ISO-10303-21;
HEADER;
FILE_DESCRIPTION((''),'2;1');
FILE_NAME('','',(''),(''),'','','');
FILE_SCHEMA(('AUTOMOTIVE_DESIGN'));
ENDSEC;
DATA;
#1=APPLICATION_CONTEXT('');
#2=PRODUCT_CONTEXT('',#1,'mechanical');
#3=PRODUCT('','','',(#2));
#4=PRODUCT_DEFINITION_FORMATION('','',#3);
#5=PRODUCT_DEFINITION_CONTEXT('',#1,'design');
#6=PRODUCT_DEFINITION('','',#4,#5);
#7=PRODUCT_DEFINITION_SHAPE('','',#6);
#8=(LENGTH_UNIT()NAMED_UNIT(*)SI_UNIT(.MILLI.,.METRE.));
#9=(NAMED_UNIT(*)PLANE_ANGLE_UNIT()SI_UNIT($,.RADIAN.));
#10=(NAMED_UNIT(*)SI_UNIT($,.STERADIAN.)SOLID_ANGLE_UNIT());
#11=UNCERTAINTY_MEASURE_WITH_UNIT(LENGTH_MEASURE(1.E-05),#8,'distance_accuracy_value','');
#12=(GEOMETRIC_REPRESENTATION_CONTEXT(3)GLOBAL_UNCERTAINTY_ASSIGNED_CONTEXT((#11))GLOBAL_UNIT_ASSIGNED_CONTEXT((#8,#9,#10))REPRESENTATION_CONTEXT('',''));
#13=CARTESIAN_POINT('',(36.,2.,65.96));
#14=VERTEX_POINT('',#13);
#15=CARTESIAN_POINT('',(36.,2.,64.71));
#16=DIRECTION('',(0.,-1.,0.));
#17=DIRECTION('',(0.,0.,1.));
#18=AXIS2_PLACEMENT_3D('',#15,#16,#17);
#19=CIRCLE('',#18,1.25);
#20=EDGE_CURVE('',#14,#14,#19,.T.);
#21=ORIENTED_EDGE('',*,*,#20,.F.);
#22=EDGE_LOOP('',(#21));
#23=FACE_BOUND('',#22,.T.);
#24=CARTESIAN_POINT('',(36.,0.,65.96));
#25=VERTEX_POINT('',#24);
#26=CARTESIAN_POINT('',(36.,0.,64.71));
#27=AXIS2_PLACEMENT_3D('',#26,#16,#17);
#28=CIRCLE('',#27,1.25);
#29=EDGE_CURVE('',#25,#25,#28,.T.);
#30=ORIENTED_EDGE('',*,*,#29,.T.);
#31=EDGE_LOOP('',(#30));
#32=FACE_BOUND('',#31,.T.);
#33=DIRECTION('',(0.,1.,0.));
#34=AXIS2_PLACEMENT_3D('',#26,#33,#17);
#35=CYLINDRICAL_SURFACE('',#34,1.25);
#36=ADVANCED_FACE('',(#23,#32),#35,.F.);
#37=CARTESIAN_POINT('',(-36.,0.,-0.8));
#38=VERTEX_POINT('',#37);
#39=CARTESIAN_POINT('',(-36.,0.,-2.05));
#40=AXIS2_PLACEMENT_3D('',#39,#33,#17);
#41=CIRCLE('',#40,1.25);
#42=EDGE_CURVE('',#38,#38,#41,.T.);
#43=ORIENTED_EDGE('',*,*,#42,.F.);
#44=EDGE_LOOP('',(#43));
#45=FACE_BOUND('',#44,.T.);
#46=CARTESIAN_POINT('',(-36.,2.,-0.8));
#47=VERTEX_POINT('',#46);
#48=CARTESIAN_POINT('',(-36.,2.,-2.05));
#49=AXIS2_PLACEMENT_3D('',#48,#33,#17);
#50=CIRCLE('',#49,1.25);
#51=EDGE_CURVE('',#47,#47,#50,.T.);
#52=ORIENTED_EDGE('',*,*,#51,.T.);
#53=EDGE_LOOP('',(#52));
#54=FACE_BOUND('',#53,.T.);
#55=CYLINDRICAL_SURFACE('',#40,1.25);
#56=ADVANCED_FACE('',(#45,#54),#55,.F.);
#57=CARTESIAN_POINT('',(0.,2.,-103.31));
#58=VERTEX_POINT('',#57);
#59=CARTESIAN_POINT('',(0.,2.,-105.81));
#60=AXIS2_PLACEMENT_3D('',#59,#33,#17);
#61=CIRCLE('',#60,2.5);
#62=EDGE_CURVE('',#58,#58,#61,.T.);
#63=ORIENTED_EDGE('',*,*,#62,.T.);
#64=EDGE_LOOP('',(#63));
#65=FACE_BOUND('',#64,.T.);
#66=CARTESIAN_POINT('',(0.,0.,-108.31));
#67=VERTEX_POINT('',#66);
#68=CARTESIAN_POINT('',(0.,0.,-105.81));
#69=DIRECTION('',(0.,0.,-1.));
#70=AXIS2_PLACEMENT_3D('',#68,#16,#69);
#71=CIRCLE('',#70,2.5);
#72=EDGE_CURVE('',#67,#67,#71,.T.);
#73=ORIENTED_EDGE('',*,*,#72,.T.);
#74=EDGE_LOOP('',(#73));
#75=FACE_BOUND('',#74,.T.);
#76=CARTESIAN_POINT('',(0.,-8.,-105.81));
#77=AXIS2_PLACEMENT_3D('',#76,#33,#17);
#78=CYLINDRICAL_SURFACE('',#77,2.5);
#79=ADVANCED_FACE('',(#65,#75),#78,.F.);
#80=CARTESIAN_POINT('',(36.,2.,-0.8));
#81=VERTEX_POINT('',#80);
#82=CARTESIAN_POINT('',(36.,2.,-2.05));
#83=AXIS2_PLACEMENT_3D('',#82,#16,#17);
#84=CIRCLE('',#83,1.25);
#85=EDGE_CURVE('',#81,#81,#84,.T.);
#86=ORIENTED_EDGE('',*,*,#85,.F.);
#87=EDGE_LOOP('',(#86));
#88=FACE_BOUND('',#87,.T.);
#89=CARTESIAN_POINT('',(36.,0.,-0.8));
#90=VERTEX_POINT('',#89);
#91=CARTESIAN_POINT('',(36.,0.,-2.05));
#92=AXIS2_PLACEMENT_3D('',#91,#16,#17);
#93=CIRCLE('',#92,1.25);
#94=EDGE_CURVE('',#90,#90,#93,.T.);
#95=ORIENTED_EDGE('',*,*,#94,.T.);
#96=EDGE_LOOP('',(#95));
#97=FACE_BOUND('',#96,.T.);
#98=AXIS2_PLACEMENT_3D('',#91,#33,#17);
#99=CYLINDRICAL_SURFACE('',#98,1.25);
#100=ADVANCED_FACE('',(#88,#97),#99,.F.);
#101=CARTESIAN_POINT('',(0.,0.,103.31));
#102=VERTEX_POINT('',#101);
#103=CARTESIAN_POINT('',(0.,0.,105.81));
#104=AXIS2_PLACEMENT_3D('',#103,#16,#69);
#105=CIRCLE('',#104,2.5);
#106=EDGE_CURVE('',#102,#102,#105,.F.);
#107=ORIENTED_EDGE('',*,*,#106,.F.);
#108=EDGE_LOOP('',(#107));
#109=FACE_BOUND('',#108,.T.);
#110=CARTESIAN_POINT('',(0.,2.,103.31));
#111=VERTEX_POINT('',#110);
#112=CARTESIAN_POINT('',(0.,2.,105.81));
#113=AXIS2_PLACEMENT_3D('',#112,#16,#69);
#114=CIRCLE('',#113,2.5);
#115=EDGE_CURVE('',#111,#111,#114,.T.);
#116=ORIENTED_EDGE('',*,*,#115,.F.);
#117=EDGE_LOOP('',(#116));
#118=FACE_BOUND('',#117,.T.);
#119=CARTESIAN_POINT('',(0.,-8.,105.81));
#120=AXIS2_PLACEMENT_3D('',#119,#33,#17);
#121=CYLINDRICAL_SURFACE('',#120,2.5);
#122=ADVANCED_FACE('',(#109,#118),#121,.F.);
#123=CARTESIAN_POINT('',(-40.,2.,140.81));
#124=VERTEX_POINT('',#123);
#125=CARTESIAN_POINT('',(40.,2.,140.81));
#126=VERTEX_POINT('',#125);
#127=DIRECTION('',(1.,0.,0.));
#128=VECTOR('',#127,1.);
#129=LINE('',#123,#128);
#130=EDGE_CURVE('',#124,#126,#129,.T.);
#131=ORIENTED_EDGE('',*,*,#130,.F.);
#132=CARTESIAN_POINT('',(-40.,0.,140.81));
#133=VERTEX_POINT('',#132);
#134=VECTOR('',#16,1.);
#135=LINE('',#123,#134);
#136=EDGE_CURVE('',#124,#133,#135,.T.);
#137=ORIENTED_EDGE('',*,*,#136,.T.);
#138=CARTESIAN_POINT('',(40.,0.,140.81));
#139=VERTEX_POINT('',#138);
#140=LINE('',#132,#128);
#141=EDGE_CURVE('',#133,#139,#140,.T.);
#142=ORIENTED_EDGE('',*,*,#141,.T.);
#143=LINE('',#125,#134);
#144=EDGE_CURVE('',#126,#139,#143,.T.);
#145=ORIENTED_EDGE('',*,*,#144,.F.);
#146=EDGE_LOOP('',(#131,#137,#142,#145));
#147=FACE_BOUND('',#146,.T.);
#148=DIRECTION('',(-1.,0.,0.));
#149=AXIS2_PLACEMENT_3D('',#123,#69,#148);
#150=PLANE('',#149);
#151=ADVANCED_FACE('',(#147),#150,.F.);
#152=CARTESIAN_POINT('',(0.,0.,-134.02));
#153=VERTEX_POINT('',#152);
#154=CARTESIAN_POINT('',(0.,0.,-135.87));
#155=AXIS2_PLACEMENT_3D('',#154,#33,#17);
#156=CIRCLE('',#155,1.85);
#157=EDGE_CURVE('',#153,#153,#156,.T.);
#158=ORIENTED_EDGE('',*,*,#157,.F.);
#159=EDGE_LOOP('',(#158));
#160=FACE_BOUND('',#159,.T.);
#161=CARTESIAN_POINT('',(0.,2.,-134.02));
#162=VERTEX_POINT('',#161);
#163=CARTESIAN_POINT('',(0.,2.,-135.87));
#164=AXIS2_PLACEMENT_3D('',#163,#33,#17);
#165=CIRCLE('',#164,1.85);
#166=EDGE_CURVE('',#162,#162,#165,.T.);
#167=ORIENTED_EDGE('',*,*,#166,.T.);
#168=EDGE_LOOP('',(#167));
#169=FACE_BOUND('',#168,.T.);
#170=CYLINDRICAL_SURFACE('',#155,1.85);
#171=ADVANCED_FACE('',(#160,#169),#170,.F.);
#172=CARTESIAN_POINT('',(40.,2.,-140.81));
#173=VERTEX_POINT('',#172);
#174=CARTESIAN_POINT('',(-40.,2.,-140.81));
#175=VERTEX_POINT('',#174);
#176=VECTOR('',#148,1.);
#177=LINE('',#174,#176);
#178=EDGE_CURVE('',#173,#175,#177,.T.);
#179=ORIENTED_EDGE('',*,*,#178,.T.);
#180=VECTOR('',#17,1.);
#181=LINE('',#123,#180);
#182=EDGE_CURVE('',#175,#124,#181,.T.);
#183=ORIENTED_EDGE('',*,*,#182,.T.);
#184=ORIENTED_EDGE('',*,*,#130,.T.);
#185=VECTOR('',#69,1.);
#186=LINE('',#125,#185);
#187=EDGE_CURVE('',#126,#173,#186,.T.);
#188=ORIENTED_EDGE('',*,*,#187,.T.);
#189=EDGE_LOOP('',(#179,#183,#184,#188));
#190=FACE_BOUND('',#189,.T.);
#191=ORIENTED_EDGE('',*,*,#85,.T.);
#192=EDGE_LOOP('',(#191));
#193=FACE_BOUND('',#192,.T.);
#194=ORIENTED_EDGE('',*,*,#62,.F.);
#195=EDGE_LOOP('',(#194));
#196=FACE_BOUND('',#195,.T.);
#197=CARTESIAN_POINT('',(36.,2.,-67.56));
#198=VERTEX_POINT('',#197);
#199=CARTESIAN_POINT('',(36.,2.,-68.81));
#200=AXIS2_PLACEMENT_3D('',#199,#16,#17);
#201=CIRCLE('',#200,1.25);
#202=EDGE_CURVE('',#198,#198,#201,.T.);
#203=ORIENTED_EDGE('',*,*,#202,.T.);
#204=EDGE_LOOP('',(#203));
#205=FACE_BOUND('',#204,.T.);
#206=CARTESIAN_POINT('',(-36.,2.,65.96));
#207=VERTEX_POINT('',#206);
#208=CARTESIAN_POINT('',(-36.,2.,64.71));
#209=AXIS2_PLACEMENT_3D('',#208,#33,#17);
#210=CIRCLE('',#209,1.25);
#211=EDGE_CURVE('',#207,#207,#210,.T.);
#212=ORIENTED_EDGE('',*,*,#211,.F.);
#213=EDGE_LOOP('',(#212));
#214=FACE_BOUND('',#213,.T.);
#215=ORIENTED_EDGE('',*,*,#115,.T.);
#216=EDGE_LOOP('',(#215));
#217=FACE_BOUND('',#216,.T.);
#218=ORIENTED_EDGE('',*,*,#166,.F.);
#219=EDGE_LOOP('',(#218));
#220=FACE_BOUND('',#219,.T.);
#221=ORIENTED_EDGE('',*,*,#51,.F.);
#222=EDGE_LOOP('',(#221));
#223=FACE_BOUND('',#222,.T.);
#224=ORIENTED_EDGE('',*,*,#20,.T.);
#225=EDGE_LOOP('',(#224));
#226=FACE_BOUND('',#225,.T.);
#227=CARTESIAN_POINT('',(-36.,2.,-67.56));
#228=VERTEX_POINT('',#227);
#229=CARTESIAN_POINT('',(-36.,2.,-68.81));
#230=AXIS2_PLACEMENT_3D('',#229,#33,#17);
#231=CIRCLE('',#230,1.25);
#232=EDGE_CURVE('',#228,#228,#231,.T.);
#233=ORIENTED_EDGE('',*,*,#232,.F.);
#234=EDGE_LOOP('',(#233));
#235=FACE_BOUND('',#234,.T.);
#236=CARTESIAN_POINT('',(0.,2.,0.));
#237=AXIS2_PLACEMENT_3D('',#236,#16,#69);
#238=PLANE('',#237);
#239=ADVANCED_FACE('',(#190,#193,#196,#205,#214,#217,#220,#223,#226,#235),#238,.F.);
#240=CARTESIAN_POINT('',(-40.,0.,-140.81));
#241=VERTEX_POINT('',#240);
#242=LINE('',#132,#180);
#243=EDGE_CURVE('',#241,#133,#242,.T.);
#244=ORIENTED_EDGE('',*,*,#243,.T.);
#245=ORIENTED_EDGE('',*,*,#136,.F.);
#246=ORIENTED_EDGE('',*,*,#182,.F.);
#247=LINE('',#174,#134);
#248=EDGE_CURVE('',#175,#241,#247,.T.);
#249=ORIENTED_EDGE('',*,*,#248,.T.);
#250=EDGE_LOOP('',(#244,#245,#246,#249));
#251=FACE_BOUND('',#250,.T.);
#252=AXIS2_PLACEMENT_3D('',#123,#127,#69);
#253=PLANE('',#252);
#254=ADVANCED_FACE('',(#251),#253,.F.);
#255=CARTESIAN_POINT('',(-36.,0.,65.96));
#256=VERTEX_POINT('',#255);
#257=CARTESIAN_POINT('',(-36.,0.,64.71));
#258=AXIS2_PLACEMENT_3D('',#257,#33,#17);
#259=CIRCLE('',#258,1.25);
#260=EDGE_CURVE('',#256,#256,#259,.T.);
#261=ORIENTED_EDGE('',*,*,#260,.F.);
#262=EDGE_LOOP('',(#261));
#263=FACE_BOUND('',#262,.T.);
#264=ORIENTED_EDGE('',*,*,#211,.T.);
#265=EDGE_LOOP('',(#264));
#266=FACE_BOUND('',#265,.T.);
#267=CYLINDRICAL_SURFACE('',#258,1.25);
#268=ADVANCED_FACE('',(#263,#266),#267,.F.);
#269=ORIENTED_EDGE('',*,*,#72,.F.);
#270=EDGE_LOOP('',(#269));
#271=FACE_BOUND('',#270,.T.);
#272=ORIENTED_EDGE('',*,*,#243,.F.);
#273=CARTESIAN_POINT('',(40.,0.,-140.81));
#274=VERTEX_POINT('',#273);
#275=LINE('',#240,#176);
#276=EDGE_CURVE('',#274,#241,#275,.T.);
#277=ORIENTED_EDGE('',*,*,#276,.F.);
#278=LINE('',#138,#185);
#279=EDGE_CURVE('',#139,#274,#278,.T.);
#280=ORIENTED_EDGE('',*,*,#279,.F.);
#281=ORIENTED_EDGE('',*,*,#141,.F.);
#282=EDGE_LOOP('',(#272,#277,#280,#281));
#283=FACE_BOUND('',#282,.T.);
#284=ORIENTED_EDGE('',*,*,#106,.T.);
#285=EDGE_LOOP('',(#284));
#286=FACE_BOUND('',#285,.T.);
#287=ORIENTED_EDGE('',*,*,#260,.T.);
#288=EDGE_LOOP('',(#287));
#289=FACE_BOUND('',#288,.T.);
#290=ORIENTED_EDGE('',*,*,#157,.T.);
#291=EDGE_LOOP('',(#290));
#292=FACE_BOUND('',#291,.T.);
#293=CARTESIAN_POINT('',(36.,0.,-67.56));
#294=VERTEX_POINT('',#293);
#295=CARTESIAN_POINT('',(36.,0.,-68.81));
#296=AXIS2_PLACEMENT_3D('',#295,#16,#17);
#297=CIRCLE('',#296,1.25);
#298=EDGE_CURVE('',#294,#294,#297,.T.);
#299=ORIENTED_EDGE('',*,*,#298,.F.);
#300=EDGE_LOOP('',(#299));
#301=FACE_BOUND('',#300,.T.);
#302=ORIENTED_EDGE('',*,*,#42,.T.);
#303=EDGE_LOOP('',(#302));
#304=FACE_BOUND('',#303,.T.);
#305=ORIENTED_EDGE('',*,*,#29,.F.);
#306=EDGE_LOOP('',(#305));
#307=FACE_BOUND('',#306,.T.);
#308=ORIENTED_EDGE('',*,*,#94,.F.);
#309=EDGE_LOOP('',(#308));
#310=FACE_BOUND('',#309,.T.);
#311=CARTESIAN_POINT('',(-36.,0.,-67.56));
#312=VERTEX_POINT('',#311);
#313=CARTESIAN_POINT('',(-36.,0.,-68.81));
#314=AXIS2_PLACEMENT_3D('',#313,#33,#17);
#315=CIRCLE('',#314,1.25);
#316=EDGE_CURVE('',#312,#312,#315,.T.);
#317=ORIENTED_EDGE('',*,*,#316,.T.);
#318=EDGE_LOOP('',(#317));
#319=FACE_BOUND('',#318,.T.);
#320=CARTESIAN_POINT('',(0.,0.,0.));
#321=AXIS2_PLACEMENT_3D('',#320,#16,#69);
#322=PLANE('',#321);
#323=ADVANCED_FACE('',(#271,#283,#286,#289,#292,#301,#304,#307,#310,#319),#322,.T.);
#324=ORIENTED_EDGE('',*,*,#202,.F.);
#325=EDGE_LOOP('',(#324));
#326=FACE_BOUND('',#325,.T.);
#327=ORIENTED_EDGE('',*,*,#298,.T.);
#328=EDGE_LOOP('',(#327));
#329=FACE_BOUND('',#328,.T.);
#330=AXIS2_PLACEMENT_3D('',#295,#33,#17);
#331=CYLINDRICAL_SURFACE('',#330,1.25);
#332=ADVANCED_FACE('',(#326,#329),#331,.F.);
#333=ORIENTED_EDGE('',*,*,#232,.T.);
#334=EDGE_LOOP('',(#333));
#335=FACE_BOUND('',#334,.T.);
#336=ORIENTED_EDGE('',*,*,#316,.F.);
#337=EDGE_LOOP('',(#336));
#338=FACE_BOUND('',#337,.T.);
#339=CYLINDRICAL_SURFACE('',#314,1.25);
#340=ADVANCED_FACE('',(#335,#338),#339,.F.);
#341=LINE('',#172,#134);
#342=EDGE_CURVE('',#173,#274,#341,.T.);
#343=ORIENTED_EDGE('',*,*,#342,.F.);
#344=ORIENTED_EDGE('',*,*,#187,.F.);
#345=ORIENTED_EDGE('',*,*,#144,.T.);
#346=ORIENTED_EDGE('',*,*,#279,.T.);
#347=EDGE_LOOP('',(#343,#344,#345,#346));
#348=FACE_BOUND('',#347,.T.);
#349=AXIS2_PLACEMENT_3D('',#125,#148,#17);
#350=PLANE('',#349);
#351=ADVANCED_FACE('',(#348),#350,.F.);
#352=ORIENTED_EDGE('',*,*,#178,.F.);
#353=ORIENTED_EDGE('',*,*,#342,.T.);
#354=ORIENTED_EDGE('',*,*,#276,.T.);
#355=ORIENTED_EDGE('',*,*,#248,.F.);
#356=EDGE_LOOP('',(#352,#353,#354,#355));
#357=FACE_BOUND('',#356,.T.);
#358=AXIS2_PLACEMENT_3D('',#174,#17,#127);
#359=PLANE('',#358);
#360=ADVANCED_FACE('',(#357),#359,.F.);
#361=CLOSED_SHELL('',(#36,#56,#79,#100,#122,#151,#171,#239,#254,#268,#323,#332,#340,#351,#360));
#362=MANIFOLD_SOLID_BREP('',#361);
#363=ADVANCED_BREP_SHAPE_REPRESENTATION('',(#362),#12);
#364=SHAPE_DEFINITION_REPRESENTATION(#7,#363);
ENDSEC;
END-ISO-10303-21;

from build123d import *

# Parameters (mm, degrees)
SKETCH1_W               = 80
SKETCH1_H               = 281.62
BOSS_EXTRUDE1_DEPTH     = 2
SKETCH2_R               = 1.85
CUT_EXTRUDE1_DEPTH      = 2
SKETCH3_R               = 1.25
CUT_EXTRUDE2_DEPTH      = 2
LPATTERN1_COUNT         = 3
LPATTERN1_PITCH         = 66.76
MIRROR1_COPY_1_SKETCH_R = 1.25
MIRROR1_COPY_1_DEPTH    = 2
MIRROR1_COPY_2_SKETCH_R = 1.25
MIRROR1_COPY_2_DEPTH    = 2
SKETCH4_R               = 2.5
CUT_EXTRUDE3_DEPTH      = 10


with BuildPart() as part:
    # Sketch1 → Boss-Extrude1 (new body)
    with BuildSketch(Plane(origin=(0, 0, 0), x_dir=(1, 0, 0), z_dir=(0, 1, 0))):
        Rectangle(SKETCH1_W, SKETCH1_H)
    extrude(amount=BOSS_EXTRUDE1_DEPTH)

    # Sketch2 → Cut-Extrude1 (cut)
    with BuildSketch(Plane(origin=(0, 2, 0), x_dir=(1, 0, 0), z_dir=(0, 1, 0))):
        with Locations(Location((0, 135.87, 0), (0, 0, 270))):
            Circle(SKETCH2_R)
    extrude(amount=-CUT_EXTRUDE1_DEPTH, mode=Mode.SUBTRACT)

    # Sketch3 → Cut-Extrude2 (cut)
    with BuildSketch(Plane(origin=(0, 2, 0), x_dir=(1, 0, 0), z_dir=(0, 1, 0))):
        with Locations(Location((-36, 68.81, 0), (0, 0, 270))):
            Circle(SKETCH3_R)
    cut_extrude2 = extrude(amount=-CUT_EXTRUDE2_DEPTH, mode=Mode.SUBTRACT)

    # LPattern1: Cut-Extrude2 ×3
    with Locations(*[(0, 0, i * LPATTERN1_PITCH) for i in range(1, LPATTERN1_COUNT)]):
        add(cut_extrude2, mode=Mode.SUBTRACT)

    # Mirror1: Cut-Extrude2 across plane
    add(cut_extrude2.mirror(Plane(origin=(0, 0, 0), x_dir=(0, 0, 1), z_dir=(1, 0, 0))), mode=Mode.SUBTRACT)

    # Mirror1 copy 1 sketch → Mirror1 copy 1 (cut)
    with BuildSketch(Plane(origin=(0, 2, 66.76), x_dir=(-1, 0, 0), z_dir=(0, 1, 0))):
        with Locations((-36, -68.81)):
            Circle(MIRROR1_COPY_1_SKETCH_R)
    extrude(amount=-MIRROR1_COPY_1_DEPTH, mode=Mode.SUBTRACT)

    # Mirror1 copy 2 sketch → Mirror1 copy 2 (cut)
    with BuildSketch(Plane(origin=(0, 2, 133.52), x_dir=(-1, 0, 0), z_dir=(0, 1, 0))):
        with Locations((-36, -68.81)):
            Circle(MIRROR1_COPY_2_SKETCH_R)
    extrude(amount=-MIRROR1_COPY_2_DEPTH, mode=Mode.SUBTRACT)

    # Sketch4 → Cut-Extrude3 (cut)
    with BuildSketch(Plane(origin=(0, 2, 0), x_dir=(1, 0, 0), z_dir=(0, 1, 0))):
        with Locations(Location((0, 105.81, 0), (0, 0, 270))):
            Circle(SKETCH4_R)
    cut_extrude3 = extrude(amount=-CUT_EXTRUDE3_DEPTH, mode=Mode.SUBTRACT)

    # Mirror2: Cut-Extrude3 across plane
    add(cut_extrude3.mirror(Plane.XY), mode=Mode.SUBTRACT)


solid = part.part
